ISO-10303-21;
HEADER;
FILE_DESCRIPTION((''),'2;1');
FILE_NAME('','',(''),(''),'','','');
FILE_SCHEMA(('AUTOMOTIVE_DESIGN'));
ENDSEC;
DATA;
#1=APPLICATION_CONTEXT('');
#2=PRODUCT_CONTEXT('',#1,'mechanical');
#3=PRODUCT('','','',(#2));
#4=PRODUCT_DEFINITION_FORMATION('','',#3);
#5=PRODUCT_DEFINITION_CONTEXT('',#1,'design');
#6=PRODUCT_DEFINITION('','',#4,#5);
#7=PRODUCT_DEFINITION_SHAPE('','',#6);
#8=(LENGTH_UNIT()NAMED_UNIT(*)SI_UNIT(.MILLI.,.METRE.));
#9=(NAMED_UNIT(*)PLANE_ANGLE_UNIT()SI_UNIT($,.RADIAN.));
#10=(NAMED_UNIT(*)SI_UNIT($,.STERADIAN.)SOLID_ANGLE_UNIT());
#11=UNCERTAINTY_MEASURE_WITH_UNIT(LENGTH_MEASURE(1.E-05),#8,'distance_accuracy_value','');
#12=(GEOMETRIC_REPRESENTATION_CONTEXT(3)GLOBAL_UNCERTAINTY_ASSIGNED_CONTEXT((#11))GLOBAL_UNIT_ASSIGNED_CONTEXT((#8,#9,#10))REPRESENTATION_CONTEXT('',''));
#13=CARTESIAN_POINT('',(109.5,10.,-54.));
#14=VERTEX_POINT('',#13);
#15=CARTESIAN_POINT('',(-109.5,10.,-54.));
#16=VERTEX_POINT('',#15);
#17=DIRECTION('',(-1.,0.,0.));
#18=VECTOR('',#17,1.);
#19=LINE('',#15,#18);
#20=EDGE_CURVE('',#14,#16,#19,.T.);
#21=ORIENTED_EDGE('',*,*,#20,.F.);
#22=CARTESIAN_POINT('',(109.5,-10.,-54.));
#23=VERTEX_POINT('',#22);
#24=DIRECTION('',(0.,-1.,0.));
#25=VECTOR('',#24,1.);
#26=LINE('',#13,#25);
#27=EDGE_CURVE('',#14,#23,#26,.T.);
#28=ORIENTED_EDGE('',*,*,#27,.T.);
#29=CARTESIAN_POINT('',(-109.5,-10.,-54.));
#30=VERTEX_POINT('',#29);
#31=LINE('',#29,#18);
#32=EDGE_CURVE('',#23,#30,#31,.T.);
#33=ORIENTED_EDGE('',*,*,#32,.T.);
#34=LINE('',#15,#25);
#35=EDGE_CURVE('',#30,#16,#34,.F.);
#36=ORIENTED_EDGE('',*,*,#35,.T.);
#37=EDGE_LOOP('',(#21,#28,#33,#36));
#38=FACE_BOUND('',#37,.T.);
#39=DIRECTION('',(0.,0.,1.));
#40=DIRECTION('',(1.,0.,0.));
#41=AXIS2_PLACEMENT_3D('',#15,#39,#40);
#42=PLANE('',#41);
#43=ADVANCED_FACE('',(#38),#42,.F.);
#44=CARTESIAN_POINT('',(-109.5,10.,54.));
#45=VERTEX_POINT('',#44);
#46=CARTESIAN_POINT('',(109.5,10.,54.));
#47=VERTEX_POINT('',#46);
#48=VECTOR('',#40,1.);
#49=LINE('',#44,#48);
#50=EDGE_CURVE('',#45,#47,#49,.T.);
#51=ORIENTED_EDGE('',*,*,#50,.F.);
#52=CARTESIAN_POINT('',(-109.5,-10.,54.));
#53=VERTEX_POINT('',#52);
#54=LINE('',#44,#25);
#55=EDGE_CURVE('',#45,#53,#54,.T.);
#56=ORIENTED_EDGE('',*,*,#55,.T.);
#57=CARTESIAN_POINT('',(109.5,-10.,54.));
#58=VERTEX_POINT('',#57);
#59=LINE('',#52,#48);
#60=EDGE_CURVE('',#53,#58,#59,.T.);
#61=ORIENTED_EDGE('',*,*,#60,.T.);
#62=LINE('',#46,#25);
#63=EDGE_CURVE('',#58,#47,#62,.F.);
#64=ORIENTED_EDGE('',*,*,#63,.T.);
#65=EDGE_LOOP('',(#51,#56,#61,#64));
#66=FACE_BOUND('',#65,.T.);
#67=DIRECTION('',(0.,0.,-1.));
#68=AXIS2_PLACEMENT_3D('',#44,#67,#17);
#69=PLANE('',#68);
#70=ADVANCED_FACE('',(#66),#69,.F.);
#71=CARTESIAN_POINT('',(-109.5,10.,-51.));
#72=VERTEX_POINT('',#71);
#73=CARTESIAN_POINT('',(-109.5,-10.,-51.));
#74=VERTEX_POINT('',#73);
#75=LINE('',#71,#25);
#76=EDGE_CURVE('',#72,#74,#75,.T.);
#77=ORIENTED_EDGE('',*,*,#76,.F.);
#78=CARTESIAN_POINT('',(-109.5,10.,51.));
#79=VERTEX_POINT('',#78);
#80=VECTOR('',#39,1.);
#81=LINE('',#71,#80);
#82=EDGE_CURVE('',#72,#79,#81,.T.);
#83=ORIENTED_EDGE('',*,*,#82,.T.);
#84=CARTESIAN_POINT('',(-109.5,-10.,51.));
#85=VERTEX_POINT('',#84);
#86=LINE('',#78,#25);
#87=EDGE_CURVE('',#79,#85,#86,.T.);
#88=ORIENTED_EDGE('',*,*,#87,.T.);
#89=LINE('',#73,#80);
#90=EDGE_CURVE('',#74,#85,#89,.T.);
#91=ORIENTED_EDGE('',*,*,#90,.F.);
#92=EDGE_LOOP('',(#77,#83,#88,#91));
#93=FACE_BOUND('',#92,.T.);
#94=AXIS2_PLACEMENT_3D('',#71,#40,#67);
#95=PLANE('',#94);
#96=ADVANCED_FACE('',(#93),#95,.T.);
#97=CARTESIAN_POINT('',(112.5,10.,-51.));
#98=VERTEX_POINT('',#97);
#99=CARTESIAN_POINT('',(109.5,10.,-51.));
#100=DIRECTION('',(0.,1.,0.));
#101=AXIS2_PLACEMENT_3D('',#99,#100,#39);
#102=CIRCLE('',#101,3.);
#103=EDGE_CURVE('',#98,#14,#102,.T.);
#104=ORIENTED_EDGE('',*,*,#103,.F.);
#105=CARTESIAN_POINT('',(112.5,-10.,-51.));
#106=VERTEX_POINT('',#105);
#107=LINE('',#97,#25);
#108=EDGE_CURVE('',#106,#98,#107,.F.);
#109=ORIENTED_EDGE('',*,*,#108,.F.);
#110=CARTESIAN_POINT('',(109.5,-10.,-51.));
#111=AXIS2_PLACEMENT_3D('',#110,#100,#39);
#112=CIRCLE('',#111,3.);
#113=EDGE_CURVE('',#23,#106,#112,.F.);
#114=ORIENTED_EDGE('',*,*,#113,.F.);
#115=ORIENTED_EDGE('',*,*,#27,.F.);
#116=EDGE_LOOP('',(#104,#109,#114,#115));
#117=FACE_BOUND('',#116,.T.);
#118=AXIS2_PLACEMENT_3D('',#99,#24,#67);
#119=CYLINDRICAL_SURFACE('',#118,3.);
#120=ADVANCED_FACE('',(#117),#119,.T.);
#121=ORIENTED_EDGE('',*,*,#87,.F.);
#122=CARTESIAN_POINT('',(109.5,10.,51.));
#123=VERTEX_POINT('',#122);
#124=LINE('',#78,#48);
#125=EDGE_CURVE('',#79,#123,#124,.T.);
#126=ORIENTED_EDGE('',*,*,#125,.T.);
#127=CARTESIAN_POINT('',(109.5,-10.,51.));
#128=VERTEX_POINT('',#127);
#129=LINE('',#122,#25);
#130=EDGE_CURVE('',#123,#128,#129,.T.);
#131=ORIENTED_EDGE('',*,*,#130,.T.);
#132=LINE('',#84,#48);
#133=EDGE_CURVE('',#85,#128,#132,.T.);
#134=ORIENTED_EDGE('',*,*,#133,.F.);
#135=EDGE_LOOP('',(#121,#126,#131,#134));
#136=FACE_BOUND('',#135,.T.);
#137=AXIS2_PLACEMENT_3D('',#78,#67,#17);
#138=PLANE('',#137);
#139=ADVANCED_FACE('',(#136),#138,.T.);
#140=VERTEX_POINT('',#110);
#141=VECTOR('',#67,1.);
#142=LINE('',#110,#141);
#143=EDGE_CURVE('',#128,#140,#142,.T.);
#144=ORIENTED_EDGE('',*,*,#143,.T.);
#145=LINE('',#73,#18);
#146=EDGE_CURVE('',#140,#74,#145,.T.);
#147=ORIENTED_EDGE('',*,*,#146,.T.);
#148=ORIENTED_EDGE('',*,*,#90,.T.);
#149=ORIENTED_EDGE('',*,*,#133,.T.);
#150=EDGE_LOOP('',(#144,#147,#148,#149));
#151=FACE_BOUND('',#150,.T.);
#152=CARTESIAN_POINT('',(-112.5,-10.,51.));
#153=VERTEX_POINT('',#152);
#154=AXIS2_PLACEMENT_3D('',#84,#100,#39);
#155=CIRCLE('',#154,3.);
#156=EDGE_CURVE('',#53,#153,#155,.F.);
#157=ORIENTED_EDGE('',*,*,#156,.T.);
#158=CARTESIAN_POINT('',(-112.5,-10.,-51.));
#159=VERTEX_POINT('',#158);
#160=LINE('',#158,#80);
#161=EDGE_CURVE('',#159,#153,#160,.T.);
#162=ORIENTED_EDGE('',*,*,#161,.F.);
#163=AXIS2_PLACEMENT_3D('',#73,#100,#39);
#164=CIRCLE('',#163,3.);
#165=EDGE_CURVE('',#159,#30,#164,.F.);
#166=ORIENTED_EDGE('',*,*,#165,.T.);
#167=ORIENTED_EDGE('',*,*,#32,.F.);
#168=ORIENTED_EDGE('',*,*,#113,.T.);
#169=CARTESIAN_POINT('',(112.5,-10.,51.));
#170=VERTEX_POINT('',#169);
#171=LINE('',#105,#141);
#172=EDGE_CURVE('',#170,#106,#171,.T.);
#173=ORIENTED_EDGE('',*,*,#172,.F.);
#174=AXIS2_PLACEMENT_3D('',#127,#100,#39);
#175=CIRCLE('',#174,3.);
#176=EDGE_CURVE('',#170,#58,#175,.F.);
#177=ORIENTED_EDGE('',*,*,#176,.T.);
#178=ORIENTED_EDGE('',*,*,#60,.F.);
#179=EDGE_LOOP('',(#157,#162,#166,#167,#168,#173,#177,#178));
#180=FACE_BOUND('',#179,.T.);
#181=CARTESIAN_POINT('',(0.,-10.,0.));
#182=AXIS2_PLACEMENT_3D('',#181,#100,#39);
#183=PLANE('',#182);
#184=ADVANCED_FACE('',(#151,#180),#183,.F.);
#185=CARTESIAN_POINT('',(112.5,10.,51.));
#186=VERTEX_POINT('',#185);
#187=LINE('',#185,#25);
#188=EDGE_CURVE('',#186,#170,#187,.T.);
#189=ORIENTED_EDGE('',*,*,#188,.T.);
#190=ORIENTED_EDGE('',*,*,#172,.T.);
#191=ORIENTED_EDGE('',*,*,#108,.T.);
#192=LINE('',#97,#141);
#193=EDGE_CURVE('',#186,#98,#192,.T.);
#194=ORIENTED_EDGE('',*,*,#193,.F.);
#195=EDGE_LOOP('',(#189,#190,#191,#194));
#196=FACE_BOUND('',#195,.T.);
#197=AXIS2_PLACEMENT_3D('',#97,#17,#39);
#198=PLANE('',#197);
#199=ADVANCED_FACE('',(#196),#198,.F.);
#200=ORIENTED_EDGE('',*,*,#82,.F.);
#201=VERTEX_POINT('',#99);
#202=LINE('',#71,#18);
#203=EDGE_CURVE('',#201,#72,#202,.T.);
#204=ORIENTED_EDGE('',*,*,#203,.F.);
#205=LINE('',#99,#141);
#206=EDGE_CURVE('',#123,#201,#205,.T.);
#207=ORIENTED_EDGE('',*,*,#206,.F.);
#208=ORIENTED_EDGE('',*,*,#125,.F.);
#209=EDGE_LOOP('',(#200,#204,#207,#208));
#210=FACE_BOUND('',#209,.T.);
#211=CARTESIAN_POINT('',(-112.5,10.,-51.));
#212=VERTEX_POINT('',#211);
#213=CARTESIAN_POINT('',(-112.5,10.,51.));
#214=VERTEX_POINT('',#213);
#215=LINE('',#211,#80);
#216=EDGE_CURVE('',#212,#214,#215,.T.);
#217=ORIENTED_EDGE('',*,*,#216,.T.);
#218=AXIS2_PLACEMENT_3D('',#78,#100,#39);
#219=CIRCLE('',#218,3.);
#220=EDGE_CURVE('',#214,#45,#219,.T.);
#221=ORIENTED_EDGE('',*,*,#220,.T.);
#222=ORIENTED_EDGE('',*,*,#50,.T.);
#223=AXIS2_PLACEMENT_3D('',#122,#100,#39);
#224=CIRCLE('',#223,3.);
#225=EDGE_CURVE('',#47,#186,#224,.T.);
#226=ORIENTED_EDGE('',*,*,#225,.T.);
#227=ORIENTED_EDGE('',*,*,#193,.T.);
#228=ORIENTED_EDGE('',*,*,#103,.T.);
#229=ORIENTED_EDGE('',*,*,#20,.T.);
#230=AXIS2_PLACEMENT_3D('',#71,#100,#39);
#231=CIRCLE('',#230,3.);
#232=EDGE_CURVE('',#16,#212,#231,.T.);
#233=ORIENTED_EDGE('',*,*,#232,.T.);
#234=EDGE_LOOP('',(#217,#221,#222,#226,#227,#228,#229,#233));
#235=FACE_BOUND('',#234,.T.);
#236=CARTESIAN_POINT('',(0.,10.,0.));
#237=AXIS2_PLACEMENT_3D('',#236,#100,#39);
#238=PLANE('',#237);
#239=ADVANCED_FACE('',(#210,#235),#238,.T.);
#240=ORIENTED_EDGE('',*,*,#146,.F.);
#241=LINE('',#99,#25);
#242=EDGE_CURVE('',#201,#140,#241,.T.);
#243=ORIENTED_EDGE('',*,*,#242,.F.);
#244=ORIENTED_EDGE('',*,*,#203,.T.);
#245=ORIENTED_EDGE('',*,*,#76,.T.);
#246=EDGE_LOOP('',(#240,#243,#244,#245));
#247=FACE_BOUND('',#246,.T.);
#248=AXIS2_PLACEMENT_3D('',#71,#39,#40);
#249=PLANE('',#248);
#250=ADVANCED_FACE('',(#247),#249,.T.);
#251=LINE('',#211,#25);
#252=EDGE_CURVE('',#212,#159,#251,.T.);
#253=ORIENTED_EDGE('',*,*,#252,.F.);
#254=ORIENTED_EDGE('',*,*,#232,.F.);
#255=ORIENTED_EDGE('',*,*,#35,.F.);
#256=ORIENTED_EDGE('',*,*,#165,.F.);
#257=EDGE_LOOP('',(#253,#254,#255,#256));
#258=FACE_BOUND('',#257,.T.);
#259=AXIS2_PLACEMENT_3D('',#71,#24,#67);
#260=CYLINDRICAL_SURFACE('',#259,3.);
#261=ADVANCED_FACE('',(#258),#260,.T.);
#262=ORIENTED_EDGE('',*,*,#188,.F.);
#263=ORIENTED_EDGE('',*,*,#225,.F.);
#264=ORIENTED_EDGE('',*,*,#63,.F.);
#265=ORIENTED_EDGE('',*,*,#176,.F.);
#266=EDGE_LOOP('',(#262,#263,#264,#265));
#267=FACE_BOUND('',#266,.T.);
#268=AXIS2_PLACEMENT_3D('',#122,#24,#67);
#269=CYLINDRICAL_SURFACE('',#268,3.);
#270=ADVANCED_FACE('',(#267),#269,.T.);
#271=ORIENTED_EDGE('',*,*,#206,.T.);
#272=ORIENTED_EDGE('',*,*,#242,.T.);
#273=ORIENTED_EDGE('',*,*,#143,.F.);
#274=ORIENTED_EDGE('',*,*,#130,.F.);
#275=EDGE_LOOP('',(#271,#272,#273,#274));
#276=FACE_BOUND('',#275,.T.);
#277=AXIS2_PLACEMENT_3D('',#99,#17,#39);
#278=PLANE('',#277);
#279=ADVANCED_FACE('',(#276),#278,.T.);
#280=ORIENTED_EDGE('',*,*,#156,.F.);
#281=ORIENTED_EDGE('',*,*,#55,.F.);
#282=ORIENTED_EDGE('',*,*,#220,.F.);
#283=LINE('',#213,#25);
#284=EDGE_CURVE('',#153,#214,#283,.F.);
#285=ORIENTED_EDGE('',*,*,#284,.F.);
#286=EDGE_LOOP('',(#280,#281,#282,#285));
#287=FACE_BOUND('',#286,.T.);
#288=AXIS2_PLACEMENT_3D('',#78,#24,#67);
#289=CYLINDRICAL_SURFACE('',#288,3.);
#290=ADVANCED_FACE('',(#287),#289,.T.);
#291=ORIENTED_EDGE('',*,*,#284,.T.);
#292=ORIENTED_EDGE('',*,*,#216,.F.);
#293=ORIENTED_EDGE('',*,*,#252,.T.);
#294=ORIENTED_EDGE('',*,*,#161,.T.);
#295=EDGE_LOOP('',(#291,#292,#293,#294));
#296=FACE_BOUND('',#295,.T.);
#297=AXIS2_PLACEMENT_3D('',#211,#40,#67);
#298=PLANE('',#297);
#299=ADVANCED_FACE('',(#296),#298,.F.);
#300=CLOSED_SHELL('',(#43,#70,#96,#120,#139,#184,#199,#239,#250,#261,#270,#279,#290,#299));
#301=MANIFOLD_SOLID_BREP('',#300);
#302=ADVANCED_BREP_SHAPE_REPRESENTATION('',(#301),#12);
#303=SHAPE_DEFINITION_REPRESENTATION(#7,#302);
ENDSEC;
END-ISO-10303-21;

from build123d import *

# Parameters (mm, degrees)
SKETCH1_W           = 225
SKETCH1_H           = 108
SKETCH1_W_2         = 219
SKETCH1_H_2         = 102
EXTRUDE_THIN1_DEPTH = 10
FILLET1_R           = 3


with BuildPart() as part:
    # Sketch1 → Extrude-Thin1 (new, symmetric)
    with BuildSketch(Plane(origin=(0, 0, 0), x_dir=(1, 0, 0), z_dir=(0, 1, 0))):
        Rectangle(SKETCH1_W, SKETCH1_H)
        Rectangle(SKETCH1_W_2, SKETCH1_H_2, mode=Mode.SUBTRACT)
    extrude(amount=EXTRUDE_THIN1_DEPTH, both=True)

    # Fillet1
    fillet1_edges = [part.edges().sort_by_distance(p)[0] for p in [
        (-112.5, 0, -54),
        (112.5, 0, -54),
        (112.5, 0, 54),
        (-112.5, 0, 54),
    ]]
    fillet(fillet1_edges, radius=FILLET1_R)


solid = part.part
